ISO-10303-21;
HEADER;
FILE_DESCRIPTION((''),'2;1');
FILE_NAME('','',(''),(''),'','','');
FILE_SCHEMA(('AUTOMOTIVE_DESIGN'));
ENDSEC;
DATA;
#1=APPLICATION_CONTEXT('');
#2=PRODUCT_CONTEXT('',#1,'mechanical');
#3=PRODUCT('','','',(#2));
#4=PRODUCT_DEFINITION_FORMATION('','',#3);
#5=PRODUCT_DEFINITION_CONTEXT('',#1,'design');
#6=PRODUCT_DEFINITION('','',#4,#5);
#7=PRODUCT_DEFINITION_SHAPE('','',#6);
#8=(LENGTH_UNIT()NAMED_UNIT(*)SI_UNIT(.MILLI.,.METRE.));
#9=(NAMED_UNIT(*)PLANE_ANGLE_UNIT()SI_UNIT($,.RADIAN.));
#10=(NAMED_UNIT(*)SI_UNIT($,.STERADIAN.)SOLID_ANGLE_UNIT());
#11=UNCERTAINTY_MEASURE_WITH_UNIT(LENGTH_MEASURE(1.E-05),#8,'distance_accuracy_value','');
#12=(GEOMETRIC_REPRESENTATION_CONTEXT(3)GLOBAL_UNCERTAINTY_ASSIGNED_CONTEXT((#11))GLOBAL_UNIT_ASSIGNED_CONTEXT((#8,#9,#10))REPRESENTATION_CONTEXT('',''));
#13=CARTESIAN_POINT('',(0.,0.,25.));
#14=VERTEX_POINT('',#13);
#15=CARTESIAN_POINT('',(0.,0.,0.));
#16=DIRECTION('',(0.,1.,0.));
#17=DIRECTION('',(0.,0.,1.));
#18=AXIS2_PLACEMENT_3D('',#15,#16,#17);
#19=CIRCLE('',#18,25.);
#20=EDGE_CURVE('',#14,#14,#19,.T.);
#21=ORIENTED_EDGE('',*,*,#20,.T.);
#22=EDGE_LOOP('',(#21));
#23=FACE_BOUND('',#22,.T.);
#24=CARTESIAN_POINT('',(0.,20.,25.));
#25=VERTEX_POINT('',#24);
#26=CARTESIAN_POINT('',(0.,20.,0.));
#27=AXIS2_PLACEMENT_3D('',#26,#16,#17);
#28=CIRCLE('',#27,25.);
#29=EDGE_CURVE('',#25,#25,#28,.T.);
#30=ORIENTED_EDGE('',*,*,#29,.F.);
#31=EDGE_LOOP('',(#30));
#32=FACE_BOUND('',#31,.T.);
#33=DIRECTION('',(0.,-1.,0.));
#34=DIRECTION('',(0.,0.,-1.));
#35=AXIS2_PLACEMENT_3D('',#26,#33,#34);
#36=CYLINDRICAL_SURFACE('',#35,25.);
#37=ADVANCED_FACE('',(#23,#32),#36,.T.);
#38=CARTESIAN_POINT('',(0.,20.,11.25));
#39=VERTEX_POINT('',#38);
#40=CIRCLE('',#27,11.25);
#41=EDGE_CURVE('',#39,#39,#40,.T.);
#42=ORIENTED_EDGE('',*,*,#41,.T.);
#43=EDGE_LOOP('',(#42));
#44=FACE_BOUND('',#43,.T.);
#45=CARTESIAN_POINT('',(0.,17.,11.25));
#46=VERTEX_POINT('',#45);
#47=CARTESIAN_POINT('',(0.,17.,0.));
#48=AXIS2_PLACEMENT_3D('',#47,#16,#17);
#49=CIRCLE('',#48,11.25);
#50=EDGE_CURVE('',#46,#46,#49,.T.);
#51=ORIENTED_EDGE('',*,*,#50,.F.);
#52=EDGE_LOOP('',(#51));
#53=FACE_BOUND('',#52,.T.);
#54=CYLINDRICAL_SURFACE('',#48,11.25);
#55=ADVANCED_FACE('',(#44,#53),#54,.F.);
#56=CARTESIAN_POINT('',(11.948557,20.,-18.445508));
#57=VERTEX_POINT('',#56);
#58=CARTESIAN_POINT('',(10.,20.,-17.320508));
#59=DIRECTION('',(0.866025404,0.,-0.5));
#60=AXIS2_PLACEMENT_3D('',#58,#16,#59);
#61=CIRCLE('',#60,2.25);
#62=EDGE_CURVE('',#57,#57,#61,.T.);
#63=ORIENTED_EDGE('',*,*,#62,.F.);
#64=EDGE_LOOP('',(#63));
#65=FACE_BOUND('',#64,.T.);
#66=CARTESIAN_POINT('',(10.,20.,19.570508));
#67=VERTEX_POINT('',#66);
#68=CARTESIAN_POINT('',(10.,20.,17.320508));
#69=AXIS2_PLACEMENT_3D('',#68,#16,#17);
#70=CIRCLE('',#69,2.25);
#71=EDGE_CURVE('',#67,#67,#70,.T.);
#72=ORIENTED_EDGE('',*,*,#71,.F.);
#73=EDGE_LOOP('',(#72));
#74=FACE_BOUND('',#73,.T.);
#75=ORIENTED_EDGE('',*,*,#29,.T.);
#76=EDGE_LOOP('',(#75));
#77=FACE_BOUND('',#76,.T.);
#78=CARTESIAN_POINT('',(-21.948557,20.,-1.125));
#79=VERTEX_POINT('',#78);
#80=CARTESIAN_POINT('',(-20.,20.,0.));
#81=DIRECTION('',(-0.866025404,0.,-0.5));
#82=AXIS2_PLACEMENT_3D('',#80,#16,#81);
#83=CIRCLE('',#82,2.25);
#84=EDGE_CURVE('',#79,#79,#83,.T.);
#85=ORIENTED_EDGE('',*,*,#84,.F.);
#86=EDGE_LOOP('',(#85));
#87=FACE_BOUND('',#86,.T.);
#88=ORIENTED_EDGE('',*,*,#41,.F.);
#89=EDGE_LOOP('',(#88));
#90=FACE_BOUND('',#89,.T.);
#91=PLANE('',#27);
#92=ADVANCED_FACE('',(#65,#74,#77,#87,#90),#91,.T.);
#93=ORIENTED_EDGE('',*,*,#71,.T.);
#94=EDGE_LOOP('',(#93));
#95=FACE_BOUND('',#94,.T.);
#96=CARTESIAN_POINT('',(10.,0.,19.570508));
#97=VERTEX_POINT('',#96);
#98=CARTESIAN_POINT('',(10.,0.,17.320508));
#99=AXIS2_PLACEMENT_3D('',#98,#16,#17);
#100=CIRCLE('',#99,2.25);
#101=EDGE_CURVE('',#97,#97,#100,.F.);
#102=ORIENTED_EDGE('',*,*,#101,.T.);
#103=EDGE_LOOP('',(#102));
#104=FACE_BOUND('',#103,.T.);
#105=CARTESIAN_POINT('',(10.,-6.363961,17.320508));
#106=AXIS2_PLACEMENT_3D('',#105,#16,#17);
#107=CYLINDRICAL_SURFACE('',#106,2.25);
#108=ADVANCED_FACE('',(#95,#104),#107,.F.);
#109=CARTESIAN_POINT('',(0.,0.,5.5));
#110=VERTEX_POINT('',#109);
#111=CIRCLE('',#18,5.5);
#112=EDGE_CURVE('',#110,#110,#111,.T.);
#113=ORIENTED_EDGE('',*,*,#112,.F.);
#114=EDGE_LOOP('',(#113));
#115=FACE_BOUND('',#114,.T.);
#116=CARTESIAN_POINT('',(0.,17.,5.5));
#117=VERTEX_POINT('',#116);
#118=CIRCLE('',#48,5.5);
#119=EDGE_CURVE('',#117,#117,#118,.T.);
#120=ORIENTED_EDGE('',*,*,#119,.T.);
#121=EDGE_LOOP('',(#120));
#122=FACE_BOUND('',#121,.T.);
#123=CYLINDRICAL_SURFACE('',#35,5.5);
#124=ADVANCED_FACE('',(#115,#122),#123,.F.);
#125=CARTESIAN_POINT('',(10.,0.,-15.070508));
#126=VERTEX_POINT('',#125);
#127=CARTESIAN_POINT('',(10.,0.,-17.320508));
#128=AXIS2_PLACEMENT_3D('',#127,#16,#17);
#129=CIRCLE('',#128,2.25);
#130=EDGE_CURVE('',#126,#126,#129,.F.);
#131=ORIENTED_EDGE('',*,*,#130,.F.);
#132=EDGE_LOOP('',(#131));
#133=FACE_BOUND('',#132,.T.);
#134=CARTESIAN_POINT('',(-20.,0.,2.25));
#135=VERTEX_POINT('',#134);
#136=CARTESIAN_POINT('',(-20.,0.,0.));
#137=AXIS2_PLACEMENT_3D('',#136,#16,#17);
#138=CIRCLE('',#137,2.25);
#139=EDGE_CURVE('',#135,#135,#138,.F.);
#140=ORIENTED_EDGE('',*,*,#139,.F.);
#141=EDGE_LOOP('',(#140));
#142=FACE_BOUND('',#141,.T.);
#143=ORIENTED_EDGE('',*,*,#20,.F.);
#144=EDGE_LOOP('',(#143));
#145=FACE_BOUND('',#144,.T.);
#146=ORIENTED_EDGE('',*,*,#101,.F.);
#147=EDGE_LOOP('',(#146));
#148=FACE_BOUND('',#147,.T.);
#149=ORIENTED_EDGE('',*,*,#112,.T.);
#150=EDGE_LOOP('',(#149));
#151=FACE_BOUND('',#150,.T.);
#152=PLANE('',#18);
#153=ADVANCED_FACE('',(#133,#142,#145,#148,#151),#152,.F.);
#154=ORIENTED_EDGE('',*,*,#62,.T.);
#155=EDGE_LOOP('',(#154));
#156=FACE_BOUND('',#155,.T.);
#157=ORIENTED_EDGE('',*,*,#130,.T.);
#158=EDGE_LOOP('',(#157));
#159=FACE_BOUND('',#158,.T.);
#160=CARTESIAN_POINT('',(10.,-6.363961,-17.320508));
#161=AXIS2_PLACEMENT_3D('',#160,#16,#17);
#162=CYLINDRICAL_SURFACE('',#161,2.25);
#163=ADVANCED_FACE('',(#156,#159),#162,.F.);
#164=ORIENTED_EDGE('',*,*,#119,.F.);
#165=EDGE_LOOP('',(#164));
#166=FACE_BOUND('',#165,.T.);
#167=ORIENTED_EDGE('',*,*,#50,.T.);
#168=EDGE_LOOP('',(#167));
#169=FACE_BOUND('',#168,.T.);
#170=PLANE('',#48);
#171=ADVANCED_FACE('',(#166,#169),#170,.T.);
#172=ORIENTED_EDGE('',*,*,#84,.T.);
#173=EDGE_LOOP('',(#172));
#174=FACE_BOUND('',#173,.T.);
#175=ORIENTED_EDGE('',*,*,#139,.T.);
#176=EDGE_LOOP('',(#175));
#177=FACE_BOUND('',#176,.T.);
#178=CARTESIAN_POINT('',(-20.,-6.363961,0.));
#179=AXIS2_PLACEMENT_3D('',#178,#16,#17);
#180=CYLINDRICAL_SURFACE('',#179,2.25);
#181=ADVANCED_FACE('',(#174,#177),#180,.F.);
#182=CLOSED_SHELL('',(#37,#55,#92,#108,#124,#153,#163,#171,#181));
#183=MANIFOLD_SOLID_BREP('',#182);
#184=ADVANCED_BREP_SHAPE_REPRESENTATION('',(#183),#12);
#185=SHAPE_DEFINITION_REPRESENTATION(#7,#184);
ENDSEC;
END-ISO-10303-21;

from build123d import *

# Parameters (mm, degrees)
SKETCH1_R           = 25
SKETCH1_R_2         = 5.5
BOSS_EXTRUDE1_DEPTH = 20
SKETCH2_R           = 11.25
CUT_EXTRUDE2_DEPTH  = 3
SKETCH3_R           = 2.25
CUT_EXTRUDE3_DEPTH  = 20
CIRPATTERN1_COUNT   = 3


with BuildPart() as part:
    # Sketch1 → Boss-Extrude1 (new body)
    with BuildSketch(Plane(origin=(0, 0, 0), x_dir=(1, 0, 0), z_dir=(0, 1, 0))):
        with Locations(Location((0, 0, 0), (0, 0, 270))):
            Circle(SKETCH1_R)
        with Locations(Location((0, 0, 0), (0, 0, 270))):
            Circle(SKETCH1_R_2, mode=Mode.SUBTRACT)
    extrude(amount=BOSS_EXTRUDE1_DEPTH)

    # Sketch2 → Cut-Extrude2 (cut)
    with BuildSketch(Plane(origin=(0, 20, 0), x_dir=(1, 0, 0), z_dir=(0, 1, 0))):
        with Locations(Location((0, 0, 0), (0, 0, 270))):
            Circle(SKETCH2_R)
    extrude(amount=-CUT_EXTRUDE2_DEPTH, mode=Mode.SUBTRACT)

    # Sketch3 → Cut-Extrude3 (cut)
    with BuildSketch(Plane(origin=(0, 20, 0), x_dir=(1, 0, 0), z_dir=(0, 1, 0))):
        with Locations(Location((10, -17.320508076, 0), (0, 0, 270))):
            Circle(SKETCH3_R)
    cut_extrude3 = extrude(amount=-CUT_EXTRUDE3_DEPTH, mode=Mode.SUBTRACT)

    # CirPattern1: Cut-Extrude3 ×3 about axis
    cirpattern1_axis = Axis((0, 0, 0), (0, 1, 0))
    for i in range(1, CIRPATTERN1_COUNT):
        add(cut_extrude3.rotate(cirpattern1_axis, i * 360 / CIRPATTERN1_COUNT), mode=Mode.SUBTRACT)


solid = part.part
